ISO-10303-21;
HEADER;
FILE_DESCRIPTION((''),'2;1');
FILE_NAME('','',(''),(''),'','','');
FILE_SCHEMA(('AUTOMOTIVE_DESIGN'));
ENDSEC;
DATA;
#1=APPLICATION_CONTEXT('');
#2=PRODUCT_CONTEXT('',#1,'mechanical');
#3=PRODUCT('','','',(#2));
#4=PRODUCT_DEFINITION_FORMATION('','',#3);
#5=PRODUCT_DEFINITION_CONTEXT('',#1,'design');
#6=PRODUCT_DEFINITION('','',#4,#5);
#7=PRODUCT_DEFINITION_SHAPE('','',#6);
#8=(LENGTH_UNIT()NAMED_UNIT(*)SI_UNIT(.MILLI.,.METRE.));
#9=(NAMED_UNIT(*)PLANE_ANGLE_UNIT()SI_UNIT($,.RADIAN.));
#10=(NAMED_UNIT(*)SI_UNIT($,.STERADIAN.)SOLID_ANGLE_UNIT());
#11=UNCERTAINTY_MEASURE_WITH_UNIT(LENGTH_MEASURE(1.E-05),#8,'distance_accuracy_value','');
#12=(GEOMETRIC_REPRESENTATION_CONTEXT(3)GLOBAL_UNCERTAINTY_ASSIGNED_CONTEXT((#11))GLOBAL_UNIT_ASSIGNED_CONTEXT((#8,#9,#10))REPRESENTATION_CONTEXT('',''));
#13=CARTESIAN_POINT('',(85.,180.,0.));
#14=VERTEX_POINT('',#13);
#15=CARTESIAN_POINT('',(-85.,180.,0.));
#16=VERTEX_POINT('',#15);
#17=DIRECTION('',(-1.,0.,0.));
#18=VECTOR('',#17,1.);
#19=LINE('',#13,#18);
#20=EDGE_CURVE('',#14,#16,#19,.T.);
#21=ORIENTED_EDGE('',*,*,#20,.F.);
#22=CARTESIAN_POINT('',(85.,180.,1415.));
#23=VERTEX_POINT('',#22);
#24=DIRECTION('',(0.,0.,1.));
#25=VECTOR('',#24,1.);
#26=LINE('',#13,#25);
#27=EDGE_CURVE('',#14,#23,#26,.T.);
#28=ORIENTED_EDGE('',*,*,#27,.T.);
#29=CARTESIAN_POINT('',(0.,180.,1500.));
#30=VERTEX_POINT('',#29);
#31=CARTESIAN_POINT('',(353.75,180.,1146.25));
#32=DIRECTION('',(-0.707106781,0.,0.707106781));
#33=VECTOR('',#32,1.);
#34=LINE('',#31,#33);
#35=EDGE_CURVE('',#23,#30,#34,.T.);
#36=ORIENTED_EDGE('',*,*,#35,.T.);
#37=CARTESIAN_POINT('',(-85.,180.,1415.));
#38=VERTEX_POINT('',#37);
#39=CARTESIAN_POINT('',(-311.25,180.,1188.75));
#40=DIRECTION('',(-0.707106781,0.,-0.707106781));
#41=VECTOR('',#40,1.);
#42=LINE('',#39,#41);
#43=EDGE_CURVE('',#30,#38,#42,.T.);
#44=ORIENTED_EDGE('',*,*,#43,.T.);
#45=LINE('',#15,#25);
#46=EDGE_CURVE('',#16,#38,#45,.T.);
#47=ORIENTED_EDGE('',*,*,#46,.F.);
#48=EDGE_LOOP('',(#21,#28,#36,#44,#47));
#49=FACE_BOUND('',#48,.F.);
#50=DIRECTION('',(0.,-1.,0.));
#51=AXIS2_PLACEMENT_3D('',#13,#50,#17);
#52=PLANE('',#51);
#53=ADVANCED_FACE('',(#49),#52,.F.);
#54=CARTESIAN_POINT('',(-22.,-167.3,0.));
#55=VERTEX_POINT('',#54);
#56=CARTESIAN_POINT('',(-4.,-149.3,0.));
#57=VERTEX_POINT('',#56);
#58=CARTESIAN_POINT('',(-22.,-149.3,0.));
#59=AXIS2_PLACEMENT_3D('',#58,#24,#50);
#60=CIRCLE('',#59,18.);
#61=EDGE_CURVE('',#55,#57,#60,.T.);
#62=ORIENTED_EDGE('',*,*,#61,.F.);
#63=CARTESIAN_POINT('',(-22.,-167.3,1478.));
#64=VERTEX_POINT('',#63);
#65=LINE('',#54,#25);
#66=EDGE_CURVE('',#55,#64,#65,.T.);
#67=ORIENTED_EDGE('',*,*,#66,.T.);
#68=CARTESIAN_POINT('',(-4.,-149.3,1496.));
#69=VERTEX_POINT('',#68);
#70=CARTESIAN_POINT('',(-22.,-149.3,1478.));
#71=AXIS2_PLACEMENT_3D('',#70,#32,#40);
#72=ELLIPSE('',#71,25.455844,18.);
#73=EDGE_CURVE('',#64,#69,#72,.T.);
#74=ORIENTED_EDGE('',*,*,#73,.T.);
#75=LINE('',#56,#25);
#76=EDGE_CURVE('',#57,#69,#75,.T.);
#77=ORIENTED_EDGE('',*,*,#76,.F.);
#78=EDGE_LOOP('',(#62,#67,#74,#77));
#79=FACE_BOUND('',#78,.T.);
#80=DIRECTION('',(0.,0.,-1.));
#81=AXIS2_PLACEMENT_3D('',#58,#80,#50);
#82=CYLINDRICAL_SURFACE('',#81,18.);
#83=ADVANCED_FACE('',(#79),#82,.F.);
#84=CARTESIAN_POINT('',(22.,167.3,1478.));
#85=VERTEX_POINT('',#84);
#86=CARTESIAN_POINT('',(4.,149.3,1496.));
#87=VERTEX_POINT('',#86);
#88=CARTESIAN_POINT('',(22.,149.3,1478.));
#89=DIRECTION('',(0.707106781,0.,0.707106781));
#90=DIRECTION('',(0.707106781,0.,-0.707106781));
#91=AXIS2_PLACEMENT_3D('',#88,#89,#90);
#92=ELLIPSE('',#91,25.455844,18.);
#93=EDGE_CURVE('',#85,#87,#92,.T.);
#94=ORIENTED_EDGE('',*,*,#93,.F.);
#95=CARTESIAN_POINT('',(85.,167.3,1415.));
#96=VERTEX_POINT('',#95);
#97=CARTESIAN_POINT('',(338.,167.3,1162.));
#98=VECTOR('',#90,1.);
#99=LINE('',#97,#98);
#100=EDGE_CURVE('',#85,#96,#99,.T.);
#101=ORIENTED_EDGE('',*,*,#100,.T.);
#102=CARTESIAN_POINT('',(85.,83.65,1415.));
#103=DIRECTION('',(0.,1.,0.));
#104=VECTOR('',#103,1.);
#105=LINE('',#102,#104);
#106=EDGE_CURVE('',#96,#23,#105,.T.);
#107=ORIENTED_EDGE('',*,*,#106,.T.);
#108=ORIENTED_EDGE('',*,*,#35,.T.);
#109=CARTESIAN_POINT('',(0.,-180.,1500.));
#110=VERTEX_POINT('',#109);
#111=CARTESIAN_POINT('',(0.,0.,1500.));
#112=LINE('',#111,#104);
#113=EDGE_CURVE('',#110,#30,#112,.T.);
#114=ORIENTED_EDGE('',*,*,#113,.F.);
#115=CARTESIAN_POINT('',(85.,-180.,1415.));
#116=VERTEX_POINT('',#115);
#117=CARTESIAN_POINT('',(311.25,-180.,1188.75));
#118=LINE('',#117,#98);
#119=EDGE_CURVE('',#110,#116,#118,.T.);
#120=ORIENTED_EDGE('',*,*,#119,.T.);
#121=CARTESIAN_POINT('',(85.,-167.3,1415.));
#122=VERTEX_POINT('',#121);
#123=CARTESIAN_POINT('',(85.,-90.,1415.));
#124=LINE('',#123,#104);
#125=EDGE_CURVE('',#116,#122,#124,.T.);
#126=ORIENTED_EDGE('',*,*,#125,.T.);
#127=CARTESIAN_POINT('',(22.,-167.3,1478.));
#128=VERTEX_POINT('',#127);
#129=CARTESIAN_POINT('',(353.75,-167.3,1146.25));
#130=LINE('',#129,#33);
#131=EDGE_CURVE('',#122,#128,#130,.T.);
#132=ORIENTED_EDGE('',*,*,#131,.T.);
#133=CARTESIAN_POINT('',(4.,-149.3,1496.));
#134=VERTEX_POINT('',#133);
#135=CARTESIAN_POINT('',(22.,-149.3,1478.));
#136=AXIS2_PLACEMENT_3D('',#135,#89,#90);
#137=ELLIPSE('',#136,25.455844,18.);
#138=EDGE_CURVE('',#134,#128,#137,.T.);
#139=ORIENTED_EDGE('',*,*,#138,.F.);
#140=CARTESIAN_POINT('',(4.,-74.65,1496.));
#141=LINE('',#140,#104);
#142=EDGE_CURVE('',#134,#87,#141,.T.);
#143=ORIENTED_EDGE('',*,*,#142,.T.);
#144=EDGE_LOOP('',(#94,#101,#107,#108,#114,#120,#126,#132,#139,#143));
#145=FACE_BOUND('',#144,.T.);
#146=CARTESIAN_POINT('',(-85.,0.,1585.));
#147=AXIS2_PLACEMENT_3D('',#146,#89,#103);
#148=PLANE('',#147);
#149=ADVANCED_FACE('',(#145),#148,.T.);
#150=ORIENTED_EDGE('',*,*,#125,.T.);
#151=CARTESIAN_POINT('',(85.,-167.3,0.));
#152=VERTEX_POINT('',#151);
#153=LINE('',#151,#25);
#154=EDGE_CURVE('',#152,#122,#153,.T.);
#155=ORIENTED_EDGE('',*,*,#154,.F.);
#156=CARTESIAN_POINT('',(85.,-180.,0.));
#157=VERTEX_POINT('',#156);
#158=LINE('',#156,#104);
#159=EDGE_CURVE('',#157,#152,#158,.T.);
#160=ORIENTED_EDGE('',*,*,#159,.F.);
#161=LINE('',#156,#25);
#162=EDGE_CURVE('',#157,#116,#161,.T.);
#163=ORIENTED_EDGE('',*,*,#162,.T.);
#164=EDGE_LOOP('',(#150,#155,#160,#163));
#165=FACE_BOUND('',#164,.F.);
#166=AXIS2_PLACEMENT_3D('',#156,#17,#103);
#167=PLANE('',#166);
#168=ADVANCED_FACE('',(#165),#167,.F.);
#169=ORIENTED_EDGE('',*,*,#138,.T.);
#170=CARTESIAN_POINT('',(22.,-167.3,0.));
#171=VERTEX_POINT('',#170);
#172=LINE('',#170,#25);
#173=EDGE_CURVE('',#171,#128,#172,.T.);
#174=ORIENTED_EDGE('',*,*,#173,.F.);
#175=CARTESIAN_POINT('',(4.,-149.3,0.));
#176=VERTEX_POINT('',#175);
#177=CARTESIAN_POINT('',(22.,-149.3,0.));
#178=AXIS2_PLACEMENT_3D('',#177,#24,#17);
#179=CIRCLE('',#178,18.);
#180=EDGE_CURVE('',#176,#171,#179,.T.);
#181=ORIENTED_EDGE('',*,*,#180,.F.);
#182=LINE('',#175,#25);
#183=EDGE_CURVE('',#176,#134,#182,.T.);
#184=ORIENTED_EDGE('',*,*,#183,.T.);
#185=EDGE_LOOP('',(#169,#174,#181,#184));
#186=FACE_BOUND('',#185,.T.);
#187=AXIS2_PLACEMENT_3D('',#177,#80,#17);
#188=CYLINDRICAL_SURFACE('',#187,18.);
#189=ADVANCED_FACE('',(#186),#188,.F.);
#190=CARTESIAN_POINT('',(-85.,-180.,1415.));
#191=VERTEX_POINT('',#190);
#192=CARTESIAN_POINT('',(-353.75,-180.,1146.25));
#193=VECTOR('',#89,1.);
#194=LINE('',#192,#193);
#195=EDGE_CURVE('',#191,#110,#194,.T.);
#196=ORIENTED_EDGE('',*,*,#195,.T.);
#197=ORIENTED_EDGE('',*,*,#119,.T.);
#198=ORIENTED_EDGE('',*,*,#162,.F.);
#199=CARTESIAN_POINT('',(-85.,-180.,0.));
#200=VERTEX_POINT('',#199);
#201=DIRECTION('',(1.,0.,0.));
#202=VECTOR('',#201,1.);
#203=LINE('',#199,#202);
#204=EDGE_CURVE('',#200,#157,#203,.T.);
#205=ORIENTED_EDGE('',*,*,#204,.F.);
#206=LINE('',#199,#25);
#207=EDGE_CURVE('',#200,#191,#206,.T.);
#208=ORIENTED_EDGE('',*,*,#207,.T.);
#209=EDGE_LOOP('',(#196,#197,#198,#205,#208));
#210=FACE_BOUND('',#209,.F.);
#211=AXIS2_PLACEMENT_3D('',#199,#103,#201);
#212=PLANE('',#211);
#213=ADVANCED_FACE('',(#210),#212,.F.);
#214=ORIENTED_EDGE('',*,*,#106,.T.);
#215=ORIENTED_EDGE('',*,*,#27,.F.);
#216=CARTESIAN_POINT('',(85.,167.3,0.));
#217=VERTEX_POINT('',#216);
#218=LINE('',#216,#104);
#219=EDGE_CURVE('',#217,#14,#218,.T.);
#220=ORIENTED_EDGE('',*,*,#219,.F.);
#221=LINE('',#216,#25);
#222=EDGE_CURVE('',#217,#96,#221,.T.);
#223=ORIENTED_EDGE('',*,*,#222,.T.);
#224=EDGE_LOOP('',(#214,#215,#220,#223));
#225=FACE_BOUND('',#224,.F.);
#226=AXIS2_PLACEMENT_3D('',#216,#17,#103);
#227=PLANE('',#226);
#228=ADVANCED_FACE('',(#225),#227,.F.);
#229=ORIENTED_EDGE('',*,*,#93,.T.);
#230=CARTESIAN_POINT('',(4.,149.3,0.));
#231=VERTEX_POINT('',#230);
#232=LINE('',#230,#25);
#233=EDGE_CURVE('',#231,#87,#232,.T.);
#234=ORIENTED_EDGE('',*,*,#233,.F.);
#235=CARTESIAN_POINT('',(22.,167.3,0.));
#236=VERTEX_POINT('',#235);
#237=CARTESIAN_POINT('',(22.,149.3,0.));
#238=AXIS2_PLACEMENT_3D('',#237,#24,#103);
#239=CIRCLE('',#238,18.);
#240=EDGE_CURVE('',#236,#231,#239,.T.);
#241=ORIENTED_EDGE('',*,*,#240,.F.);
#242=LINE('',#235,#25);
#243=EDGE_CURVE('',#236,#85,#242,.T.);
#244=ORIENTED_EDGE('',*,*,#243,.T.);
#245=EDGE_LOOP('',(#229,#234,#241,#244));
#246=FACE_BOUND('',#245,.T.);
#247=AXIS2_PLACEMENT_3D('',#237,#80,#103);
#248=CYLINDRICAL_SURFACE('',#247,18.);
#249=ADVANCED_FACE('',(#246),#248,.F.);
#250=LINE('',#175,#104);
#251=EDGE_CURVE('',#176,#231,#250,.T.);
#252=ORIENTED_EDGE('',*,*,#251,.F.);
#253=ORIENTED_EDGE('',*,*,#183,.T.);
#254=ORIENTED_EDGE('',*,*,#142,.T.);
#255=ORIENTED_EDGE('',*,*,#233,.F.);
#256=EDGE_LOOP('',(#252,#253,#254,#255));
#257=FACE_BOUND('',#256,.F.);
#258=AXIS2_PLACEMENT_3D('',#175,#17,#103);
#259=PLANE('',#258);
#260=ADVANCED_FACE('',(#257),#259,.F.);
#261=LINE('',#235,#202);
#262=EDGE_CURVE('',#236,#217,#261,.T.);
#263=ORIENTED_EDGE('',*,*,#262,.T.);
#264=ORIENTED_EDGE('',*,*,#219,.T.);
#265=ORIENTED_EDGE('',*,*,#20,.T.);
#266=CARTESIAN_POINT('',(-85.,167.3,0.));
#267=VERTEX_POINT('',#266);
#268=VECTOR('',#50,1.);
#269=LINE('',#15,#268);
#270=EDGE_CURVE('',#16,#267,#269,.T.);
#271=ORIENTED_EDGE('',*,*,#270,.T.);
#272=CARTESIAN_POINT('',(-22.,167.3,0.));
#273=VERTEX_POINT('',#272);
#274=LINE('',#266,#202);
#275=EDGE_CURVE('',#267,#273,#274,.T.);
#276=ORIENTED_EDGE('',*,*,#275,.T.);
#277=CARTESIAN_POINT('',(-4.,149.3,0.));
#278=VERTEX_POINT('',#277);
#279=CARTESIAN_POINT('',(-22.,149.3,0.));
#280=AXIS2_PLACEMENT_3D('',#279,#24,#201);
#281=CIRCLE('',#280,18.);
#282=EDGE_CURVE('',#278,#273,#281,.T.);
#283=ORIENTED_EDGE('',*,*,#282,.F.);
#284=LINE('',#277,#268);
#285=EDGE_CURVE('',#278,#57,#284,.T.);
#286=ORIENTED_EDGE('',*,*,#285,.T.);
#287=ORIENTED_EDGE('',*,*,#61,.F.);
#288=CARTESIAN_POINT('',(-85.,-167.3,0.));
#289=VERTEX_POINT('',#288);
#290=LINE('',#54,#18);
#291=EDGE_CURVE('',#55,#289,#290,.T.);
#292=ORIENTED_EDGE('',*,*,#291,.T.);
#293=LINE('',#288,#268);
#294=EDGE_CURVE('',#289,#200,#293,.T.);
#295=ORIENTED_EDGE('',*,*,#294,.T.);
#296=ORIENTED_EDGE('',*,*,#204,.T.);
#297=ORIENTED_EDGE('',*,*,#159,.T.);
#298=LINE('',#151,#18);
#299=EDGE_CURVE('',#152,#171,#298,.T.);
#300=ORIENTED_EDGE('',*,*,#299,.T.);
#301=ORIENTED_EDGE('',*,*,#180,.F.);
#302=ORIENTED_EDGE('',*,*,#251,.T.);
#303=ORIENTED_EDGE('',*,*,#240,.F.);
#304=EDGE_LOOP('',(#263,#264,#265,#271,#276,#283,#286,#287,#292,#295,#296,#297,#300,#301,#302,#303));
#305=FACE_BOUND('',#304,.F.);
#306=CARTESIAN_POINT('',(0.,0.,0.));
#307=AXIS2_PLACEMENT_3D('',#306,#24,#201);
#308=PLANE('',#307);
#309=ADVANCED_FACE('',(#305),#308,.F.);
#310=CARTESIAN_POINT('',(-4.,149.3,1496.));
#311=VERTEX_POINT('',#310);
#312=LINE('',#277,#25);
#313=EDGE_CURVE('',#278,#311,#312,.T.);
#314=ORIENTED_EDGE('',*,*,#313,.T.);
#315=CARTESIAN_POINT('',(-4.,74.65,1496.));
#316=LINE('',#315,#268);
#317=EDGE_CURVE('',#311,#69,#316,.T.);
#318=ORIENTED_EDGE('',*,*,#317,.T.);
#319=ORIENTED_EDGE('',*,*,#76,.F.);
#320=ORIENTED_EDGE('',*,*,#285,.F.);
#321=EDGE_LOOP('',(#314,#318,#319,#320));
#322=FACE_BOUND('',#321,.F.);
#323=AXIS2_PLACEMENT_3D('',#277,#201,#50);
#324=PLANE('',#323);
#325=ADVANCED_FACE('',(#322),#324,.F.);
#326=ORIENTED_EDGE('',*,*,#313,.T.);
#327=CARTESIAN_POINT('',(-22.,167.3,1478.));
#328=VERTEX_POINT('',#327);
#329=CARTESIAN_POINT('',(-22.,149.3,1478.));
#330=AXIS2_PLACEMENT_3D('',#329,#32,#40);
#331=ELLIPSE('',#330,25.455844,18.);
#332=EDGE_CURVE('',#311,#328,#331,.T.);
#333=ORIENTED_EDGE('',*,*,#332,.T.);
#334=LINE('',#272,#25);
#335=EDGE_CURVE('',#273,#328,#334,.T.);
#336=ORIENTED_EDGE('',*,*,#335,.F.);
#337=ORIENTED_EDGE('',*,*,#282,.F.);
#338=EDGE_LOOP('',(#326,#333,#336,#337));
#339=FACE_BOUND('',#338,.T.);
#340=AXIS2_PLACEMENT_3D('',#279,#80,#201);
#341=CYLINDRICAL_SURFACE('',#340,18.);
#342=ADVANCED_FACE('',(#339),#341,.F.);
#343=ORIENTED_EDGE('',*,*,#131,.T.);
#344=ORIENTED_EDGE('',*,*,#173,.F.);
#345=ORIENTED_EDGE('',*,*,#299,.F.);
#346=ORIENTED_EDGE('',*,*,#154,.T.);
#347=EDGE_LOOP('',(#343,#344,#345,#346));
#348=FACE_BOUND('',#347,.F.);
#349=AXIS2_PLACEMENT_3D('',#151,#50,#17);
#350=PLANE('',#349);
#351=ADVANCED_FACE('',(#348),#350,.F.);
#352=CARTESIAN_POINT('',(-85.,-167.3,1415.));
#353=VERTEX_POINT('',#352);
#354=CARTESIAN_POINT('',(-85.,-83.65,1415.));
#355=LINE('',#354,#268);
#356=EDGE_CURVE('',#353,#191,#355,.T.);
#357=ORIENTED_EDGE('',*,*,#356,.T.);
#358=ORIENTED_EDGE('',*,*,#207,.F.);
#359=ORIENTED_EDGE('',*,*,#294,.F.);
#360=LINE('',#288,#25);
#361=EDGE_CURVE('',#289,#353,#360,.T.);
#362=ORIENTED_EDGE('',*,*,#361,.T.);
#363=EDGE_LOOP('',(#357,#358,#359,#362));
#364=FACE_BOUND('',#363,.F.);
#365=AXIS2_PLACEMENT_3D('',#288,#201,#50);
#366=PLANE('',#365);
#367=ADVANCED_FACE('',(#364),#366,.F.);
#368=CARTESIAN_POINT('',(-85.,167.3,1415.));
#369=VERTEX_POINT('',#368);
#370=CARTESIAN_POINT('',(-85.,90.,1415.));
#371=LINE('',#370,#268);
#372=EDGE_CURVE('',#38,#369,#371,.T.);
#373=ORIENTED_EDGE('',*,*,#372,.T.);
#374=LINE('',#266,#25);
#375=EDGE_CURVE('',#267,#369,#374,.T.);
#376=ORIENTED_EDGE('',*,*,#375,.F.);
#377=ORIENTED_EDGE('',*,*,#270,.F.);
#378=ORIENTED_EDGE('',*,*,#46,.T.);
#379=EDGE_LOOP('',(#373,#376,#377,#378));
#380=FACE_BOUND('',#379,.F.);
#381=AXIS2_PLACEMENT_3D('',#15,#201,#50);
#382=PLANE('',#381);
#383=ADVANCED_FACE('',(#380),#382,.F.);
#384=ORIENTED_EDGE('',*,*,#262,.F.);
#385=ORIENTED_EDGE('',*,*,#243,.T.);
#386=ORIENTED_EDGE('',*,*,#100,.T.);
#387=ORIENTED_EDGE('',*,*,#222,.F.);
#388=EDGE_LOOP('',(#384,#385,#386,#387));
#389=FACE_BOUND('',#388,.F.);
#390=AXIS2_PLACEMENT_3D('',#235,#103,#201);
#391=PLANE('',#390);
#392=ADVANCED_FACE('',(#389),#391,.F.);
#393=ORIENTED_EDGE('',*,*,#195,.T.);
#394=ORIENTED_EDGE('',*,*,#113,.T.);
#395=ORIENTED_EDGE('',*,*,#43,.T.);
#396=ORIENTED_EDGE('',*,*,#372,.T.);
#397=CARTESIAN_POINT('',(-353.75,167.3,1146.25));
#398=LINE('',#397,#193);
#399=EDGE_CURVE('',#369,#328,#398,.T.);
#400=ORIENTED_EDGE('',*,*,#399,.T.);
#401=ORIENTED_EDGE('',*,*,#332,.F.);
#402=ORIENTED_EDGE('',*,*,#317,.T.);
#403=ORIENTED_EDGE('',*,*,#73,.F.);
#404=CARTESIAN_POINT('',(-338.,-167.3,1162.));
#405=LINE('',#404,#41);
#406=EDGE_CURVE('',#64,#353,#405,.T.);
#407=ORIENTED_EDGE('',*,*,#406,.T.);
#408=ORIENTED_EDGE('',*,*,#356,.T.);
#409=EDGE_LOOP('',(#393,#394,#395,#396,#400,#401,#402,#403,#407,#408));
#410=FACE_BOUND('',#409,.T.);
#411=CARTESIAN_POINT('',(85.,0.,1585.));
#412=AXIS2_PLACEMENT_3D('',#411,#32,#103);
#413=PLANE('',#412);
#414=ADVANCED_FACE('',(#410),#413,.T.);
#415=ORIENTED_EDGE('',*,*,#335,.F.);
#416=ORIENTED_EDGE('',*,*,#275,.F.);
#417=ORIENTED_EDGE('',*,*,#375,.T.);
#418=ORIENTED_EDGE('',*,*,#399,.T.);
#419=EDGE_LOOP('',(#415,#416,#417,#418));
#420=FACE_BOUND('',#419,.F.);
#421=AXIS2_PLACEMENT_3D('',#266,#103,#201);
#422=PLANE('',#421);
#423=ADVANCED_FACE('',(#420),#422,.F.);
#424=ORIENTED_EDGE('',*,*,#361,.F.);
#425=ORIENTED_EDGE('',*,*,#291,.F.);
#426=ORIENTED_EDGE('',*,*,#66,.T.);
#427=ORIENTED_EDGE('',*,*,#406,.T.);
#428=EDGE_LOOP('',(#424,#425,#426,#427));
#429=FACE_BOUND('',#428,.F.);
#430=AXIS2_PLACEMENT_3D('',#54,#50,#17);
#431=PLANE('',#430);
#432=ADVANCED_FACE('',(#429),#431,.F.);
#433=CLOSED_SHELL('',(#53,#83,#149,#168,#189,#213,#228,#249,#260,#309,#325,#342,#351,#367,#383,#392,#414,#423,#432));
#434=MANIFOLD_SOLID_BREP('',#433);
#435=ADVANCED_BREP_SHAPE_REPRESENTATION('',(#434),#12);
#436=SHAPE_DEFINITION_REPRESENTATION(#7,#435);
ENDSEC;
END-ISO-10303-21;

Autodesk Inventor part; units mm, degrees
ref_plane "Start Plane" through (0, 0, 0) normal (0, 0, 1) x (1, 0, 0)
ref_plane "End Plane" through (0, 0, 1500) normal (0, 0, 1) x (1, 0, 0)
sketch "Sketch" plane through (0, 0, 0) normal (0, 0, 1) x (1, 0, 0)
  line L0 (-85, 167.3) -> (-22, 167.3)
  line L1 (-85, 180) -> (-85, 167.3)
  line L2 (85, 180) -> (-85, 180)
  line L3 (85, 167.3) -> (85, 180)
  line L4 (22, 167.3) -> (85, 167.3)
  line L5 (4, -149.3) -> (4, 149.3)
  line L6 (85, -167.3) -> (22, -167.3)
  line L7 (85, -180) -> (85, -167.3)
  line L8 (-85, -167.3) -> (-85, -180)
  line L9 (-22, -167.3) -> (-85, -167.3)
  line L10 (-4, 149.3) -> (-4, -149.3)
  line L11 (0, -252) -> (0, 252) construction
  line L12 (-4, -167.3) -> (4, -167.3) construction
  arc A0 (-22, -167.3) -> (-4, -149.3) centre (-22, -149.3) ccw
  arc A1 (-4, 149.3) -> (-22, 167.3) centre (-22, 149.3) ccw
  arc A2 (22, 167.3) -> (4, 149.3) centre (22, 149.3) ccw
  arc A3 (4, -149.3) -> (22, -167.3) centre (22, -149.3) ccw
  line L13 (-119, 0) -> (119, 0) construction
  line L14 (-85, -180) -> (85, -180)
  point P0 (-4, 167.3)
  point P1 (4, 167.3)
  point P2 (0, 0)
  point P3 (0, -167.3)
  point P4 (0, 0)
  dimension "d1" = 360
  dimension "d3" = 12.7
  dimension "d5" = 8
  dimension "d7" = 170
  dimension "d13" = 18
  dimension "d14" = 180
  dimension "d15" = 85
extrude "Body" add sketch "Sketch" along normal up to surface (1500 mm away) from surface at 0
sketch "Sketch3" plane through (0, 0, 0) normal (0, 0, 1) x (1, 0, 0)
  line L0 (0, 0) -> (10, 0)
ref_plane "Work Plane3" through (0, 0, 0) normal (0, -1, 0) x (1, 0, 0)
ref_plane "Work Plane4" through (-85, 0, 1585) normal (0.7071, 0, 0.7071) x (0.7071, 0, -0.7071)
split "Split1" plane through (-85, 0, 1585) removes the side toward (0.7071, 0, 0.7071)
ref_plane "Work Plane5" through (85, 0, 1585) normal (-0.7071, 0, 0.7071) x (0.7071, 0, 0.7071)
split "Split2" plane through (85, 0, 1585) removes the side toward (-0.7071, 0, 0.7071)
sketch "Sketch4" plane through (0, 0, 0) normal (0, -1, 0) x (1, 0, 0)
  line L0 (-2, 0) -> (12, 0) projected
  line L1 (-2, 1500) -> (12, 1500) projected
  dimension "d19" = 1500
equation "\"d1\" = ParH"
equation "\"d3\" = t2"
equation "\"d5\" = t1"
equation "\"d7\" = b"
equation "\"d13\" = R1"
equation "\"d14\" = 0.5 * d1"
equation "\"d15\" = 0.5 * d7"
equation "\"d8\" = G_L"
equation "\"b\" = 170"
equation "\"ParH\" = 360"
equation "\"R1\" = 18"
equation "\"G_L\" = d19"
equation "\"t1\" = 8"
equation "\"t2\" = 12.7"
equation "\"G_OFFSET_START\" = 0"
equation "\"G_OFFSET_END\" = 0"
properties part number "DIN 1025 - IPE 360-1500" material "Steel, Mild"
